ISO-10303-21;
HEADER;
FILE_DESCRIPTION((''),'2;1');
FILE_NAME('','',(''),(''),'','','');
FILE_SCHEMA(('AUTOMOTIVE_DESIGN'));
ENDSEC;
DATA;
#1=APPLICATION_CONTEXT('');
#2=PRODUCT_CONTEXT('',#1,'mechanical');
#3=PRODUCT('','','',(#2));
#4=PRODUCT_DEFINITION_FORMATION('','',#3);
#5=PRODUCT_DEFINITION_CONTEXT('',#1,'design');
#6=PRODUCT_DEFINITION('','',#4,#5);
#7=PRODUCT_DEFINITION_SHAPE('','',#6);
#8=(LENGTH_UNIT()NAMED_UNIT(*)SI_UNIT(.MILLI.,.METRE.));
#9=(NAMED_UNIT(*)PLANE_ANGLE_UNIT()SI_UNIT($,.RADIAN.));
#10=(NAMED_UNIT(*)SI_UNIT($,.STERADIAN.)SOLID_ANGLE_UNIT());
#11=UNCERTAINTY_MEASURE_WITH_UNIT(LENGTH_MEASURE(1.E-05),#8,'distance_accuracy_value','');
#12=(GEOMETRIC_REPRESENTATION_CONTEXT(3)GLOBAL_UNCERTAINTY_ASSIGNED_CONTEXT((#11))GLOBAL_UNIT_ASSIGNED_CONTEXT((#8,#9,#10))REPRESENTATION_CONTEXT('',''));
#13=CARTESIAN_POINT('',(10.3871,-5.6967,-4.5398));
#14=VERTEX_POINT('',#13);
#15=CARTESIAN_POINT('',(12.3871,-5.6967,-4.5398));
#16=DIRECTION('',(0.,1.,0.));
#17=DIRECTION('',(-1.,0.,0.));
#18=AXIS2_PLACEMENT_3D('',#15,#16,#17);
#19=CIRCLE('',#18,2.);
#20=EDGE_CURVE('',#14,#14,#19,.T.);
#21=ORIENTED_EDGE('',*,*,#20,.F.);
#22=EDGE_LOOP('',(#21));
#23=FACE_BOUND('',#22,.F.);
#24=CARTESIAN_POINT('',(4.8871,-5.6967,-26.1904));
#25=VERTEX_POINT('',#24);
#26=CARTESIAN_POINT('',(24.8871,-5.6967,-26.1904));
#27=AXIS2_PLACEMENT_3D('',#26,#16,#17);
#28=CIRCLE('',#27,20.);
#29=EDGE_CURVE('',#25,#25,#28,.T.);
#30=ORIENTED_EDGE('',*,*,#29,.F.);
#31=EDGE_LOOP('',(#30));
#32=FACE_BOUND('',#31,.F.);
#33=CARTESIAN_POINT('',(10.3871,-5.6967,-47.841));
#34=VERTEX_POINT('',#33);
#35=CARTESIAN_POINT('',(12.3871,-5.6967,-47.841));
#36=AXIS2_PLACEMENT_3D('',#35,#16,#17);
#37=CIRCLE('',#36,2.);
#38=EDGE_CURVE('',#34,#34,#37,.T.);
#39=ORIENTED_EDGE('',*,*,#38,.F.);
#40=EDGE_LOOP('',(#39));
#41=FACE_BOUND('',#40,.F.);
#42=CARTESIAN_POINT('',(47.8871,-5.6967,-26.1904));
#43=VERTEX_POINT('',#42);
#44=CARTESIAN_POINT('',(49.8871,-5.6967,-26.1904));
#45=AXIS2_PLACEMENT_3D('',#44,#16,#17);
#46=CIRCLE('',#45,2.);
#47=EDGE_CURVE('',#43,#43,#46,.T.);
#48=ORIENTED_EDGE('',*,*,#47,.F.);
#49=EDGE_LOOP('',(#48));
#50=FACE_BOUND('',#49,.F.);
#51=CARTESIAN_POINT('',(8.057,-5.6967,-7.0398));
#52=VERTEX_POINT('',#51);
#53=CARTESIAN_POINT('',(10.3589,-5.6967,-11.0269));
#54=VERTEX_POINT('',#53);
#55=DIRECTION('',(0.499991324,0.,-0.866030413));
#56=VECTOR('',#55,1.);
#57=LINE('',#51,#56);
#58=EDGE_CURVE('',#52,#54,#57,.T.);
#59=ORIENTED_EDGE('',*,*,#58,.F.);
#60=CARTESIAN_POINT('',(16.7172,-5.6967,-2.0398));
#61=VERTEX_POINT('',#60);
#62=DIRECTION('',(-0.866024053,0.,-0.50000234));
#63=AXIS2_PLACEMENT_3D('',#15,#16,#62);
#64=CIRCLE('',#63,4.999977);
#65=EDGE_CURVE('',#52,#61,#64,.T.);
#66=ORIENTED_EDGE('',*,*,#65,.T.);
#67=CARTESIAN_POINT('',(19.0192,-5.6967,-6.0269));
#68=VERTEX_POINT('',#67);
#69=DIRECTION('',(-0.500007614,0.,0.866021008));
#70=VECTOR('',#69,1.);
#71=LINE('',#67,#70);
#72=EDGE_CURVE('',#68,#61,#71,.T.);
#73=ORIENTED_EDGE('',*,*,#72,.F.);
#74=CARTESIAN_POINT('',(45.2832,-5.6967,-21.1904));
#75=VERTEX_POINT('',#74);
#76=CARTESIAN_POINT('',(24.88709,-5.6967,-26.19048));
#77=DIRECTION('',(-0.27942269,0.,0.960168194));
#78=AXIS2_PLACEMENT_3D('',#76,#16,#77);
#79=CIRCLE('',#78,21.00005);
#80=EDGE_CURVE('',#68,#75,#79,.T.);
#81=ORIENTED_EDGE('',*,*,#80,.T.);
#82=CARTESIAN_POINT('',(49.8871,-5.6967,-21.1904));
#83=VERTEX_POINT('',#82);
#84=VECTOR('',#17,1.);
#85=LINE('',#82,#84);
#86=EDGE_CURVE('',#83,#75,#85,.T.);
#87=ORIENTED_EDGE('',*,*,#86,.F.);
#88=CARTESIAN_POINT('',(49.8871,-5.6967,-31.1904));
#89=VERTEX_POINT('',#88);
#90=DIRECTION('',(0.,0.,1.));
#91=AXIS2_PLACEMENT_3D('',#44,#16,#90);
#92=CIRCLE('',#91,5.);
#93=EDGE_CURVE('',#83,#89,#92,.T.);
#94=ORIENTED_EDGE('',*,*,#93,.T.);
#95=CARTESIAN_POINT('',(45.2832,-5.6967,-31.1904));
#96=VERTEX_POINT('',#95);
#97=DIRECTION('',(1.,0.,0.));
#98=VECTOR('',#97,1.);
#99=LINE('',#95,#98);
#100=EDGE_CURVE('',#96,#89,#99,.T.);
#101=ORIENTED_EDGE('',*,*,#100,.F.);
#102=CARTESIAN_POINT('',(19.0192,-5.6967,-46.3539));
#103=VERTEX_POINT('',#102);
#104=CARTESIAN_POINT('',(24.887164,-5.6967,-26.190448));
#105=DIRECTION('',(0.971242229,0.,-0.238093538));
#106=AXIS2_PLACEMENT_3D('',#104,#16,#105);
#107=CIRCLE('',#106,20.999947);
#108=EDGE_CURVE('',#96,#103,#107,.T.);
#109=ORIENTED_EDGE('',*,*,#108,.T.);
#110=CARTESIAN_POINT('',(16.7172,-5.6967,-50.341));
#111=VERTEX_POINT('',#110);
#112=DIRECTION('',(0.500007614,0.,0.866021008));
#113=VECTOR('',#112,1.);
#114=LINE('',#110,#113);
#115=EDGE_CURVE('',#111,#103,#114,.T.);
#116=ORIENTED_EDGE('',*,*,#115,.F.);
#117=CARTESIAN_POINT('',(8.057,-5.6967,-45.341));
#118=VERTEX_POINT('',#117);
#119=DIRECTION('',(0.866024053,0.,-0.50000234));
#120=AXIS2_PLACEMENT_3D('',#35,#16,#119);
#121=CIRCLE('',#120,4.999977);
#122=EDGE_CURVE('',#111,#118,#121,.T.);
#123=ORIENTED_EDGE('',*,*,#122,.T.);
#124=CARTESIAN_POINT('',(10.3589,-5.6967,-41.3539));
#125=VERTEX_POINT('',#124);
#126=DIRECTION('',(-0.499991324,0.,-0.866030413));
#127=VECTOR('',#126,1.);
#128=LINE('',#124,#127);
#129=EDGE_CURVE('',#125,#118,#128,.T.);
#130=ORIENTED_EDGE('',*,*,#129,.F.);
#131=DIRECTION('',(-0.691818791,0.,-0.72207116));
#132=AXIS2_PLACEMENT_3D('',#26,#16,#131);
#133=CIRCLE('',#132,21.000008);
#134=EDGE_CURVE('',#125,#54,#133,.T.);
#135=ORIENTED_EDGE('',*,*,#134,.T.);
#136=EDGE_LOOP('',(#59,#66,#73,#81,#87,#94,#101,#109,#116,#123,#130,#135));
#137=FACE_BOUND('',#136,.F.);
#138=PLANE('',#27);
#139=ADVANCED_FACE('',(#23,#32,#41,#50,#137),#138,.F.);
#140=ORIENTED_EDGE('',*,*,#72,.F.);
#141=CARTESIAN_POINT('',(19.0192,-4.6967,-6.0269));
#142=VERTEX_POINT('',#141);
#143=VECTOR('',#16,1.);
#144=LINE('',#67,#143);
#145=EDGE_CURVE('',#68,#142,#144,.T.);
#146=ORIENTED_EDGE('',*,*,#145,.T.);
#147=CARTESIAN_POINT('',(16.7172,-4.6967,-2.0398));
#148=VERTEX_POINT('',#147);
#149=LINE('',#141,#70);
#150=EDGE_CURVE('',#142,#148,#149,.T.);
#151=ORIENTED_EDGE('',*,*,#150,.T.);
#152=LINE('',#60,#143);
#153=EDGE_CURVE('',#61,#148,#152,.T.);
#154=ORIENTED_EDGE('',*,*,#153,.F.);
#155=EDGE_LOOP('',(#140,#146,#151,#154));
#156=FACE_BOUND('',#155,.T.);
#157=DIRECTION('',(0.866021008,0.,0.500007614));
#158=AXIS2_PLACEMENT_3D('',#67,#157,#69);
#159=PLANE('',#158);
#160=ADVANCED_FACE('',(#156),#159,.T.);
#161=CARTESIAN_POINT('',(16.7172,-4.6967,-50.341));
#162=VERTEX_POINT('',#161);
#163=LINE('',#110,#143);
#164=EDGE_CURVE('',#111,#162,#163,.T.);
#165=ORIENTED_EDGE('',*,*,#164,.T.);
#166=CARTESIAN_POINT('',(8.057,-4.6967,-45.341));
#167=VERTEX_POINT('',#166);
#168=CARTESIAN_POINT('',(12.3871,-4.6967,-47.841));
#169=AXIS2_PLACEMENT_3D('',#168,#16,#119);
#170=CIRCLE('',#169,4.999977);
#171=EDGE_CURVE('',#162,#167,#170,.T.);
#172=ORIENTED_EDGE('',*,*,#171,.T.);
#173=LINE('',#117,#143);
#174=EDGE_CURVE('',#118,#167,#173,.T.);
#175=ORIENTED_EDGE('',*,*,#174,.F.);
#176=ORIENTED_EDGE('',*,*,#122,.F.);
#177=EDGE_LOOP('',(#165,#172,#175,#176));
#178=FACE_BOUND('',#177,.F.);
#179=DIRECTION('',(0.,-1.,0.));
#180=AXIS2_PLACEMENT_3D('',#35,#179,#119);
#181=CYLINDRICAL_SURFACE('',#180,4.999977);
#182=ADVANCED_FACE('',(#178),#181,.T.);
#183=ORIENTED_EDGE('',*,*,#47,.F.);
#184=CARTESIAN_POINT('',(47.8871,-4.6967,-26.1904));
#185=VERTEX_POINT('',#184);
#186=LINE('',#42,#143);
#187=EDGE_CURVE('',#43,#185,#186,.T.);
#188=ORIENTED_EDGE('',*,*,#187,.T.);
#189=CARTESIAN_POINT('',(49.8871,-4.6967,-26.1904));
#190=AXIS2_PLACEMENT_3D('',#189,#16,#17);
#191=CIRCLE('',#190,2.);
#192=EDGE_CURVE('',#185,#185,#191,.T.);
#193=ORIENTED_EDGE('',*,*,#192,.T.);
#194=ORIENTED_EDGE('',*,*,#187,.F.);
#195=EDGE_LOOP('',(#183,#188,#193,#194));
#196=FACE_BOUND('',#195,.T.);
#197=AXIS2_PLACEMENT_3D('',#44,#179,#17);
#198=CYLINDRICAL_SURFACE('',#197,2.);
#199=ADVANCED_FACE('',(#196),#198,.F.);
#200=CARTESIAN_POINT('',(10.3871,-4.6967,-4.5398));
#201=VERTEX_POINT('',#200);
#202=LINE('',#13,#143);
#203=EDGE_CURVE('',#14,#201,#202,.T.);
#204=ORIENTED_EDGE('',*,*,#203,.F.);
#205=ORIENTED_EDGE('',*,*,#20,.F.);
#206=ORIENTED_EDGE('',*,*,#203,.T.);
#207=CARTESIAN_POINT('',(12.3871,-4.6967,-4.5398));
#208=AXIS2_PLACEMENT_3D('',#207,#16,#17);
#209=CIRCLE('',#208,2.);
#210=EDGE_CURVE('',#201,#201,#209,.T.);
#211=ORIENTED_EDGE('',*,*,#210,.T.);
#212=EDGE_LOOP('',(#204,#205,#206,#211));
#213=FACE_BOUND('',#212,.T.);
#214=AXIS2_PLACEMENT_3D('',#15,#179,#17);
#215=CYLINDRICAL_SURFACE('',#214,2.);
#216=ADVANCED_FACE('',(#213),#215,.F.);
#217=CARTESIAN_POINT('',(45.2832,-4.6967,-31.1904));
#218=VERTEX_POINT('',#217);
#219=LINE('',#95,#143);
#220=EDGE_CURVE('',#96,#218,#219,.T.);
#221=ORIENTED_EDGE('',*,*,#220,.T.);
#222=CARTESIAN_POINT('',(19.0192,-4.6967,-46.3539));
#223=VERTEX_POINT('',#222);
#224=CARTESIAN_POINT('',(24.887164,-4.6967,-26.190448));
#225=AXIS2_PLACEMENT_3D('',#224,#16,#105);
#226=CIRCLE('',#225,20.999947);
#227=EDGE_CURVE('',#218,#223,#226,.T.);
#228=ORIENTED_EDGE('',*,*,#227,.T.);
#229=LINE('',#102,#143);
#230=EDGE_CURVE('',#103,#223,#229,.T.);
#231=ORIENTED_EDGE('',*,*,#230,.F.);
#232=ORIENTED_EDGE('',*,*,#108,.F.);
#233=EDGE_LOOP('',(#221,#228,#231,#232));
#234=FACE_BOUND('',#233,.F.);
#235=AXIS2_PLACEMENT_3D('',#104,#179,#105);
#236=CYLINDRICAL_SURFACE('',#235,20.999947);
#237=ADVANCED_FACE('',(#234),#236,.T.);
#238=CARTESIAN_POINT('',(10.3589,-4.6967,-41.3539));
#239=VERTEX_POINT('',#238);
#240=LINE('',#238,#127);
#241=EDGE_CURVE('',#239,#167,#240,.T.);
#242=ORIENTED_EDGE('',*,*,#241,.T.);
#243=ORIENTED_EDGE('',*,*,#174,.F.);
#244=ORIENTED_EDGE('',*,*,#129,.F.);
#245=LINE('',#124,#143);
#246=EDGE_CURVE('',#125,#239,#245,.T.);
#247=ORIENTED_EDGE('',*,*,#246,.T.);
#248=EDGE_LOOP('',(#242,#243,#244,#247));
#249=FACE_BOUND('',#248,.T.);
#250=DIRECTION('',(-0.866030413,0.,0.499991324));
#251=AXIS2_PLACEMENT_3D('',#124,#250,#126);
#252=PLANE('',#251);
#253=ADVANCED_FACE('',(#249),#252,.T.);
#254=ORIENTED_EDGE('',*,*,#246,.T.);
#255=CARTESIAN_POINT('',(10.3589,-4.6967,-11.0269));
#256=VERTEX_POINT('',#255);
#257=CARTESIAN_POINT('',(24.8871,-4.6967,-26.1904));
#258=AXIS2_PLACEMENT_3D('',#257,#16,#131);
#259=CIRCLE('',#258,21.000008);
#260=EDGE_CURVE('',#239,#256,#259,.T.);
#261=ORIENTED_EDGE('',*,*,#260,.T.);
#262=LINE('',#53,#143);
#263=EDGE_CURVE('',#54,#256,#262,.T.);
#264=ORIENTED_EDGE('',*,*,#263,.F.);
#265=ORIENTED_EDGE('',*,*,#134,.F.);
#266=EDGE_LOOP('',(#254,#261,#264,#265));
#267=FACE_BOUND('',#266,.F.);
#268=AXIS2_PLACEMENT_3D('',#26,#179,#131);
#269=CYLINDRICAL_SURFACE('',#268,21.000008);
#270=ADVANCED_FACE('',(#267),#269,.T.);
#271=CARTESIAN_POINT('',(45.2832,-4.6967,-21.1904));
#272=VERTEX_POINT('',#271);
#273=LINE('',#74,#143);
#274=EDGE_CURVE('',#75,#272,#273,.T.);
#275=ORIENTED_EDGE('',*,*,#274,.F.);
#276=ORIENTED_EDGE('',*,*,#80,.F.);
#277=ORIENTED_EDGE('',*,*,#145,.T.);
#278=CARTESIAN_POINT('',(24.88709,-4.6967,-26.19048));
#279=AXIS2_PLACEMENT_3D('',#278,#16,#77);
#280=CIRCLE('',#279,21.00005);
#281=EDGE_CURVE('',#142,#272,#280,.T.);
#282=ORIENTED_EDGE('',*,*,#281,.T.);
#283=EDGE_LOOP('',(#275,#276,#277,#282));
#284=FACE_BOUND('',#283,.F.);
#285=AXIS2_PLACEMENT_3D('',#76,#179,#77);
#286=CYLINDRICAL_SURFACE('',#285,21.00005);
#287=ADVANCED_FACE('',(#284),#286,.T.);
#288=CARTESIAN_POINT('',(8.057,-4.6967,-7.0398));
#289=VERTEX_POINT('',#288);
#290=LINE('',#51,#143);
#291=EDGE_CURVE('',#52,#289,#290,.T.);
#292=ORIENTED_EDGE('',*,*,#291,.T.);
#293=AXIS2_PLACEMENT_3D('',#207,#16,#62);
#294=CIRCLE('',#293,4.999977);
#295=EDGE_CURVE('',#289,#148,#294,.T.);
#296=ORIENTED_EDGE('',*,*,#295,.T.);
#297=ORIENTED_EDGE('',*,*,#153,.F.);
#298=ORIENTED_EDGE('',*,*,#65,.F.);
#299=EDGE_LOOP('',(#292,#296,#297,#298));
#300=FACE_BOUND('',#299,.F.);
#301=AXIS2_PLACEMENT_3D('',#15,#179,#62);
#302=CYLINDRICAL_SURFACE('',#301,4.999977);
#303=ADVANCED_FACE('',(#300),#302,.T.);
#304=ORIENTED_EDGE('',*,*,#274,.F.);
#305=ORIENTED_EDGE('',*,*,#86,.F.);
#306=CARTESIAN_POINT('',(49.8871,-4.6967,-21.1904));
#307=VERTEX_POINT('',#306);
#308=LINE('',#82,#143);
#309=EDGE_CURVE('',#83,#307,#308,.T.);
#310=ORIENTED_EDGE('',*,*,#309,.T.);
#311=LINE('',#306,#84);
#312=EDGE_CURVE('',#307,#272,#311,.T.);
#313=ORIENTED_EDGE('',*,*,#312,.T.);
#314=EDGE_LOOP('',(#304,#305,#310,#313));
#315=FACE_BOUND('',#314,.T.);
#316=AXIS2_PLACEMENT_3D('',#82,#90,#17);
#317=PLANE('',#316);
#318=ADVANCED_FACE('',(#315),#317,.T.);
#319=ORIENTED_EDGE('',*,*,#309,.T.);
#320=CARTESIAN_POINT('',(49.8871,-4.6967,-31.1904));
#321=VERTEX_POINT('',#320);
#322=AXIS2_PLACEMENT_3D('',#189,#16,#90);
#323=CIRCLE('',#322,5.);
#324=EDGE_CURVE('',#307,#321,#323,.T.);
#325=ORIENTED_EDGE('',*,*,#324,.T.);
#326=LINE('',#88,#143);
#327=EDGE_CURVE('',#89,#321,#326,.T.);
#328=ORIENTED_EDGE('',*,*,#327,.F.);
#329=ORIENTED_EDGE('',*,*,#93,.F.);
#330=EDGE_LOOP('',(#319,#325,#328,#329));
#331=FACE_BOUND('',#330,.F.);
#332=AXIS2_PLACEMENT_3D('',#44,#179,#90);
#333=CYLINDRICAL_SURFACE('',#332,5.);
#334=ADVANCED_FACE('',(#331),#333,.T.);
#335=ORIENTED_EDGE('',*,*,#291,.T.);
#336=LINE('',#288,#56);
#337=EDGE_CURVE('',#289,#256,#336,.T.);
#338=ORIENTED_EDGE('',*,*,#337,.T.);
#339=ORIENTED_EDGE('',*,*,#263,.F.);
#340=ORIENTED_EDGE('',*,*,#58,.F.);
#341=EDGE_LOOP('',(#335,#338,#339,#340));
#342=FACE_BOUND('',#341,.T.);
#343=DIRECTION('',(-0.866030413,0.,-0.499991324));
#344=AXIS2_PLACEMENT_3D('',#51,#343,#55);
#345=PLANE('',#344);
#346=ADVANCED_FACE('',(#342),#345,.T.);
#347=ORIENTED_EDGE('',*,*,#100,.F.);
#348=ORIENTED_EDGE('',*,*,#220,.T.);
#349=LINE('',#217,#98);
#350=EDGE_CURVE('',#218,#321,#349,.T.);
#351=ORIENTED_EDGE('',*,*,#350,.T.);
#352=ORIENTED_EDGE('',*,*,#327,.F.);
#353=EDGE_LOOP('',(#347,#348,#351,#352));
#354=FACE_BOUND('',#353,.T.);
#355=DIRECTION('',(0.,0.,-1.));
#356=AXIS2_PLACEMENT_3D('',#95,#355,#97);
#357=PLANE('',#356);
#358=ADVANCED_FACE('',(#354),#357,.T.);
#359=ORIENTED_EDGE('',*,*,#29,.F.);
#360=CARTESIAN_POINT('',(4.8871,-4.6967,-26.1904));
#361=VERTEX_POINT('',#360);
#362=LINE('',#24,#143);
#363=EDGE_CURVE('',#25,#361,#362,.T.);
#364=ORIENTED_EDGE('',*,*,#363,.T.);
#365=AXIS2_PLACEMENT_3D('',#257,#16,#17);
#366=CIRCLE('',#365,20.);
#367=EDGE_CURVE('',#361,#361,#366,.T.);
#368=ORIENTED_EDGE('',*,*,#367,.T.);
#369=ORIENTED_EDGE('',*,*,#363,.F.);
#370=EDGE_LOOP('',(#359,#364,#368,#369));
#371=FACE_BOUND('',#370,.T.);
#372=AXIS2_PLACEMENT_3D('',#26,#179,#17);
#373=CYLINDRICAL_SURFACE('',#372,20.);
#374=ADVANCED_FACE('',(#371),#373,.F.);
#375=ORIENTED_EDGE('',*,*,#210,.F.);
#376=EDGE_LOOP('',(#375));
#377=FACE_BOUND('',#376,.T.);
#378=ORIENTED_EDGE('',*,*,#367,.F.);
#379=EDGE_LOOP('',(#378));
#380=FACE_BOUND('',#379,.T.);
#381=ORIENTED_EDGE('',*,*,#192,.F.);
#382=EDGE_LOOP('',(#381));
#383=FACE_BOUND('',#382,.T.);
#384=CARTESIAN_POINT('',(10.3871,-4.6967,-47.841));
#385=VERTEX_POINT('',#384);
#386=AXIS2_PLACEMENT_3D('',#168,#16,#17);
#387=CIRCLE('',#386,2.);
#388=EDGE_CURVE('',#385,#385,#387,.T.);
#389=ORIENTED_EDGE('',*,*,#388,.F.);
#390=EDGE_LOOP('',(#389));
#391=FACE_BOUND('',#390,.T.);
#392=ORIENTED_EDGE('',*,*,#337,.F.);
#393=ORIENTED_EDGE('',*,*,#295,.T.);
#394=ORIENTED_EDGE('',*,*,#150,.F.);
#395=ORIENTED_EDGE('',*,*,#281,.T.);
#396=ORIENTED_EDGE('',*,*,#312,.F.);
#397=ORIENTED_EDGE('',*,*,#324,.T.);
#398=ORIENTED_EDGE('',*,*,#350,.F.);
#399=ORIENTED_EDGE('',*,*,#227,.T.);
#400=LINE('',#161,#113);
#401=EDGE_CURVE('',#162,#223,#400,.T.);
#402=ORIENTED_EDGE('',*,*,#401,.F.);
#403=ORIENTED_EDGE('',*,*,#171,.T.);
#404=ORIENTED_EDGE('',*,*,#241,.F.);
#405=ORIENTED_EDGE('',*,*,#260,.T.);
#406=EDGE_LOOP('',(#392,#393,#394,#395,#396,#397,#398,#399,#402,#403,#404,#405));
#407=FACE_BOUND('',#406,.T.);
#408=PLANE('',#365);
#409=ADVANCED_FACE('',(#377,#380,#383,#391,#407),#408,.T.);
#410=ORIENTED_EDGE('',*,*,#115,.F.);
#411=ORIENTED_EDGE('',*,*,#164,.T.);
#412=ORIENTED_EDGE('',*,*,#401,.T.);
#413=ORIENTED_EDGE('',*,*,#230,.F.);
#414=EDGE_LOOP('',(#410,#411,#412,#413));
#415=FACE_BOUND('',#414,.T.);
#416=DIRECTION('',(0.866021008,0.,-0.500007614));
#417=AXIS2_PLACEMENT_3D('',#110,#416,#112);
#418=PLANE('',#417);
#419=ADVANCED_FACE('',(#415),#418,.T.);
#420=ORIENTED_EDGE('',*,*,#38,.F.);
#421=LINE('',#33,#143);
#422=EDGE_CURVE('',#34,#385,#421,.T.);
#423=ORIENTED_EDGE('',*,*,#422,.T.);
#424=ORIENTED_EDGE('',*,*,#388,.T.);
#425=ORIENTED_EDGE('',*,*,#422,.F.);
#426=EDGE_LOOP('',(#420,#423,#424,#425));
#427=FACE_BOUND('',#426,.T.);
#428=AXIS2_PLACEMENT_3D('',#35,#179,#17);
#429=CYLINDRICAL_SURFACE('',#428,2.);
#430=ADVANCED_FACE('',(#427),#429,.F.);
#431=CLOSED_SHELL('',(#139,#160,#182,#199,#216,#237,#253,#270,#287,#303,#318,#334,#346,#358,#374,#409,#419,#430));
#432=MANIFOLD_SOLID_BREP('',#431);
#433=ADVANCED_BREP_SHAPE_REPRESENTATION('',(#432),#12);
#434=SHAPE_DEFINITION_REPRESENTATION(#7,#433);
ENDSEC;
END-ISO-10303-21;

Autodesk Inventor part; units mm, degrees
ref_plane "YZ Plane" through (0, 0, 0) normal (1, 0, 0) x (0, 1, 0)
ref_plane "XZ Plane" through (0, 0, 0) normal (0, 1, 0) x (-1, 0, 0)
ref_plane "XY Plane" through (0, 0, 0) normal (0, 0, 1) x (1, 0, 0)
ref_plane "Work Plane1" through (24.8871, -5.6967, -26.1904) normal (0, 1, 0) x (-1, 0, 0)
sketch "Sketch1" plane through (24.8871, -5.6967, -26.1904) normal (0, 1, 0) x (-1, 0, 0)
  circle A0 centre (12.5, 21.6506) radius 2 projected
  circle A1 centre (12.5, -21.6506) radius 2 projected
  circle A2 centre (-25, 0) radius 2 projected
  arc A3 (-20.3961, -5) -> (5.8679, -20.1635) centre (0, 0) ccw projected
  line L0 (8.1699, -24.1506) -> (5.8679, -20.1635) projected
  arc A4 (8.1699, -24.1506) -> (16.8301, -19.1506) centre (12.5, -21.6506) ccw projected
  line L1 (14.5282, -15.1635) -> (16.8301, -19.1506) projected
  arc A5 (14.5282, -15.1635) -> (14.5282, 15.1635) centre (0, 0) ccw projected
  line L2 (16.8301, 19.1506) -> (14.5282, 15.1635) projected
  arc A6 (16.8301, 19.1506) -> (8.1699, 24.1506) centre (12.5, 21.6506) ccw projected
  line L3 (5.8679, 20.1635) -> (8.1699, 24.1506) projected
  arc A7 (5.8679, 20.1635) -> (-20.3961, 5) centre (0, 0) ccw projected
  line L4 (-25, 5) -> (-20.3961, 5) projected
  arc A8 (-25, 5) -> (-25, -5) centre (-25, 0) ccw projected
  line L5 (-20.3961, -5) -> (-25, -5) projected
  circle A9 centre (0, 0) radius 20 projected
  point P0 (24.8871, 26.1904)
extrude "Extrusion1" add sketch "Sketch1" along normal blind 1
properties part number "CE-8.2.1-01-001" material "Rubber"
